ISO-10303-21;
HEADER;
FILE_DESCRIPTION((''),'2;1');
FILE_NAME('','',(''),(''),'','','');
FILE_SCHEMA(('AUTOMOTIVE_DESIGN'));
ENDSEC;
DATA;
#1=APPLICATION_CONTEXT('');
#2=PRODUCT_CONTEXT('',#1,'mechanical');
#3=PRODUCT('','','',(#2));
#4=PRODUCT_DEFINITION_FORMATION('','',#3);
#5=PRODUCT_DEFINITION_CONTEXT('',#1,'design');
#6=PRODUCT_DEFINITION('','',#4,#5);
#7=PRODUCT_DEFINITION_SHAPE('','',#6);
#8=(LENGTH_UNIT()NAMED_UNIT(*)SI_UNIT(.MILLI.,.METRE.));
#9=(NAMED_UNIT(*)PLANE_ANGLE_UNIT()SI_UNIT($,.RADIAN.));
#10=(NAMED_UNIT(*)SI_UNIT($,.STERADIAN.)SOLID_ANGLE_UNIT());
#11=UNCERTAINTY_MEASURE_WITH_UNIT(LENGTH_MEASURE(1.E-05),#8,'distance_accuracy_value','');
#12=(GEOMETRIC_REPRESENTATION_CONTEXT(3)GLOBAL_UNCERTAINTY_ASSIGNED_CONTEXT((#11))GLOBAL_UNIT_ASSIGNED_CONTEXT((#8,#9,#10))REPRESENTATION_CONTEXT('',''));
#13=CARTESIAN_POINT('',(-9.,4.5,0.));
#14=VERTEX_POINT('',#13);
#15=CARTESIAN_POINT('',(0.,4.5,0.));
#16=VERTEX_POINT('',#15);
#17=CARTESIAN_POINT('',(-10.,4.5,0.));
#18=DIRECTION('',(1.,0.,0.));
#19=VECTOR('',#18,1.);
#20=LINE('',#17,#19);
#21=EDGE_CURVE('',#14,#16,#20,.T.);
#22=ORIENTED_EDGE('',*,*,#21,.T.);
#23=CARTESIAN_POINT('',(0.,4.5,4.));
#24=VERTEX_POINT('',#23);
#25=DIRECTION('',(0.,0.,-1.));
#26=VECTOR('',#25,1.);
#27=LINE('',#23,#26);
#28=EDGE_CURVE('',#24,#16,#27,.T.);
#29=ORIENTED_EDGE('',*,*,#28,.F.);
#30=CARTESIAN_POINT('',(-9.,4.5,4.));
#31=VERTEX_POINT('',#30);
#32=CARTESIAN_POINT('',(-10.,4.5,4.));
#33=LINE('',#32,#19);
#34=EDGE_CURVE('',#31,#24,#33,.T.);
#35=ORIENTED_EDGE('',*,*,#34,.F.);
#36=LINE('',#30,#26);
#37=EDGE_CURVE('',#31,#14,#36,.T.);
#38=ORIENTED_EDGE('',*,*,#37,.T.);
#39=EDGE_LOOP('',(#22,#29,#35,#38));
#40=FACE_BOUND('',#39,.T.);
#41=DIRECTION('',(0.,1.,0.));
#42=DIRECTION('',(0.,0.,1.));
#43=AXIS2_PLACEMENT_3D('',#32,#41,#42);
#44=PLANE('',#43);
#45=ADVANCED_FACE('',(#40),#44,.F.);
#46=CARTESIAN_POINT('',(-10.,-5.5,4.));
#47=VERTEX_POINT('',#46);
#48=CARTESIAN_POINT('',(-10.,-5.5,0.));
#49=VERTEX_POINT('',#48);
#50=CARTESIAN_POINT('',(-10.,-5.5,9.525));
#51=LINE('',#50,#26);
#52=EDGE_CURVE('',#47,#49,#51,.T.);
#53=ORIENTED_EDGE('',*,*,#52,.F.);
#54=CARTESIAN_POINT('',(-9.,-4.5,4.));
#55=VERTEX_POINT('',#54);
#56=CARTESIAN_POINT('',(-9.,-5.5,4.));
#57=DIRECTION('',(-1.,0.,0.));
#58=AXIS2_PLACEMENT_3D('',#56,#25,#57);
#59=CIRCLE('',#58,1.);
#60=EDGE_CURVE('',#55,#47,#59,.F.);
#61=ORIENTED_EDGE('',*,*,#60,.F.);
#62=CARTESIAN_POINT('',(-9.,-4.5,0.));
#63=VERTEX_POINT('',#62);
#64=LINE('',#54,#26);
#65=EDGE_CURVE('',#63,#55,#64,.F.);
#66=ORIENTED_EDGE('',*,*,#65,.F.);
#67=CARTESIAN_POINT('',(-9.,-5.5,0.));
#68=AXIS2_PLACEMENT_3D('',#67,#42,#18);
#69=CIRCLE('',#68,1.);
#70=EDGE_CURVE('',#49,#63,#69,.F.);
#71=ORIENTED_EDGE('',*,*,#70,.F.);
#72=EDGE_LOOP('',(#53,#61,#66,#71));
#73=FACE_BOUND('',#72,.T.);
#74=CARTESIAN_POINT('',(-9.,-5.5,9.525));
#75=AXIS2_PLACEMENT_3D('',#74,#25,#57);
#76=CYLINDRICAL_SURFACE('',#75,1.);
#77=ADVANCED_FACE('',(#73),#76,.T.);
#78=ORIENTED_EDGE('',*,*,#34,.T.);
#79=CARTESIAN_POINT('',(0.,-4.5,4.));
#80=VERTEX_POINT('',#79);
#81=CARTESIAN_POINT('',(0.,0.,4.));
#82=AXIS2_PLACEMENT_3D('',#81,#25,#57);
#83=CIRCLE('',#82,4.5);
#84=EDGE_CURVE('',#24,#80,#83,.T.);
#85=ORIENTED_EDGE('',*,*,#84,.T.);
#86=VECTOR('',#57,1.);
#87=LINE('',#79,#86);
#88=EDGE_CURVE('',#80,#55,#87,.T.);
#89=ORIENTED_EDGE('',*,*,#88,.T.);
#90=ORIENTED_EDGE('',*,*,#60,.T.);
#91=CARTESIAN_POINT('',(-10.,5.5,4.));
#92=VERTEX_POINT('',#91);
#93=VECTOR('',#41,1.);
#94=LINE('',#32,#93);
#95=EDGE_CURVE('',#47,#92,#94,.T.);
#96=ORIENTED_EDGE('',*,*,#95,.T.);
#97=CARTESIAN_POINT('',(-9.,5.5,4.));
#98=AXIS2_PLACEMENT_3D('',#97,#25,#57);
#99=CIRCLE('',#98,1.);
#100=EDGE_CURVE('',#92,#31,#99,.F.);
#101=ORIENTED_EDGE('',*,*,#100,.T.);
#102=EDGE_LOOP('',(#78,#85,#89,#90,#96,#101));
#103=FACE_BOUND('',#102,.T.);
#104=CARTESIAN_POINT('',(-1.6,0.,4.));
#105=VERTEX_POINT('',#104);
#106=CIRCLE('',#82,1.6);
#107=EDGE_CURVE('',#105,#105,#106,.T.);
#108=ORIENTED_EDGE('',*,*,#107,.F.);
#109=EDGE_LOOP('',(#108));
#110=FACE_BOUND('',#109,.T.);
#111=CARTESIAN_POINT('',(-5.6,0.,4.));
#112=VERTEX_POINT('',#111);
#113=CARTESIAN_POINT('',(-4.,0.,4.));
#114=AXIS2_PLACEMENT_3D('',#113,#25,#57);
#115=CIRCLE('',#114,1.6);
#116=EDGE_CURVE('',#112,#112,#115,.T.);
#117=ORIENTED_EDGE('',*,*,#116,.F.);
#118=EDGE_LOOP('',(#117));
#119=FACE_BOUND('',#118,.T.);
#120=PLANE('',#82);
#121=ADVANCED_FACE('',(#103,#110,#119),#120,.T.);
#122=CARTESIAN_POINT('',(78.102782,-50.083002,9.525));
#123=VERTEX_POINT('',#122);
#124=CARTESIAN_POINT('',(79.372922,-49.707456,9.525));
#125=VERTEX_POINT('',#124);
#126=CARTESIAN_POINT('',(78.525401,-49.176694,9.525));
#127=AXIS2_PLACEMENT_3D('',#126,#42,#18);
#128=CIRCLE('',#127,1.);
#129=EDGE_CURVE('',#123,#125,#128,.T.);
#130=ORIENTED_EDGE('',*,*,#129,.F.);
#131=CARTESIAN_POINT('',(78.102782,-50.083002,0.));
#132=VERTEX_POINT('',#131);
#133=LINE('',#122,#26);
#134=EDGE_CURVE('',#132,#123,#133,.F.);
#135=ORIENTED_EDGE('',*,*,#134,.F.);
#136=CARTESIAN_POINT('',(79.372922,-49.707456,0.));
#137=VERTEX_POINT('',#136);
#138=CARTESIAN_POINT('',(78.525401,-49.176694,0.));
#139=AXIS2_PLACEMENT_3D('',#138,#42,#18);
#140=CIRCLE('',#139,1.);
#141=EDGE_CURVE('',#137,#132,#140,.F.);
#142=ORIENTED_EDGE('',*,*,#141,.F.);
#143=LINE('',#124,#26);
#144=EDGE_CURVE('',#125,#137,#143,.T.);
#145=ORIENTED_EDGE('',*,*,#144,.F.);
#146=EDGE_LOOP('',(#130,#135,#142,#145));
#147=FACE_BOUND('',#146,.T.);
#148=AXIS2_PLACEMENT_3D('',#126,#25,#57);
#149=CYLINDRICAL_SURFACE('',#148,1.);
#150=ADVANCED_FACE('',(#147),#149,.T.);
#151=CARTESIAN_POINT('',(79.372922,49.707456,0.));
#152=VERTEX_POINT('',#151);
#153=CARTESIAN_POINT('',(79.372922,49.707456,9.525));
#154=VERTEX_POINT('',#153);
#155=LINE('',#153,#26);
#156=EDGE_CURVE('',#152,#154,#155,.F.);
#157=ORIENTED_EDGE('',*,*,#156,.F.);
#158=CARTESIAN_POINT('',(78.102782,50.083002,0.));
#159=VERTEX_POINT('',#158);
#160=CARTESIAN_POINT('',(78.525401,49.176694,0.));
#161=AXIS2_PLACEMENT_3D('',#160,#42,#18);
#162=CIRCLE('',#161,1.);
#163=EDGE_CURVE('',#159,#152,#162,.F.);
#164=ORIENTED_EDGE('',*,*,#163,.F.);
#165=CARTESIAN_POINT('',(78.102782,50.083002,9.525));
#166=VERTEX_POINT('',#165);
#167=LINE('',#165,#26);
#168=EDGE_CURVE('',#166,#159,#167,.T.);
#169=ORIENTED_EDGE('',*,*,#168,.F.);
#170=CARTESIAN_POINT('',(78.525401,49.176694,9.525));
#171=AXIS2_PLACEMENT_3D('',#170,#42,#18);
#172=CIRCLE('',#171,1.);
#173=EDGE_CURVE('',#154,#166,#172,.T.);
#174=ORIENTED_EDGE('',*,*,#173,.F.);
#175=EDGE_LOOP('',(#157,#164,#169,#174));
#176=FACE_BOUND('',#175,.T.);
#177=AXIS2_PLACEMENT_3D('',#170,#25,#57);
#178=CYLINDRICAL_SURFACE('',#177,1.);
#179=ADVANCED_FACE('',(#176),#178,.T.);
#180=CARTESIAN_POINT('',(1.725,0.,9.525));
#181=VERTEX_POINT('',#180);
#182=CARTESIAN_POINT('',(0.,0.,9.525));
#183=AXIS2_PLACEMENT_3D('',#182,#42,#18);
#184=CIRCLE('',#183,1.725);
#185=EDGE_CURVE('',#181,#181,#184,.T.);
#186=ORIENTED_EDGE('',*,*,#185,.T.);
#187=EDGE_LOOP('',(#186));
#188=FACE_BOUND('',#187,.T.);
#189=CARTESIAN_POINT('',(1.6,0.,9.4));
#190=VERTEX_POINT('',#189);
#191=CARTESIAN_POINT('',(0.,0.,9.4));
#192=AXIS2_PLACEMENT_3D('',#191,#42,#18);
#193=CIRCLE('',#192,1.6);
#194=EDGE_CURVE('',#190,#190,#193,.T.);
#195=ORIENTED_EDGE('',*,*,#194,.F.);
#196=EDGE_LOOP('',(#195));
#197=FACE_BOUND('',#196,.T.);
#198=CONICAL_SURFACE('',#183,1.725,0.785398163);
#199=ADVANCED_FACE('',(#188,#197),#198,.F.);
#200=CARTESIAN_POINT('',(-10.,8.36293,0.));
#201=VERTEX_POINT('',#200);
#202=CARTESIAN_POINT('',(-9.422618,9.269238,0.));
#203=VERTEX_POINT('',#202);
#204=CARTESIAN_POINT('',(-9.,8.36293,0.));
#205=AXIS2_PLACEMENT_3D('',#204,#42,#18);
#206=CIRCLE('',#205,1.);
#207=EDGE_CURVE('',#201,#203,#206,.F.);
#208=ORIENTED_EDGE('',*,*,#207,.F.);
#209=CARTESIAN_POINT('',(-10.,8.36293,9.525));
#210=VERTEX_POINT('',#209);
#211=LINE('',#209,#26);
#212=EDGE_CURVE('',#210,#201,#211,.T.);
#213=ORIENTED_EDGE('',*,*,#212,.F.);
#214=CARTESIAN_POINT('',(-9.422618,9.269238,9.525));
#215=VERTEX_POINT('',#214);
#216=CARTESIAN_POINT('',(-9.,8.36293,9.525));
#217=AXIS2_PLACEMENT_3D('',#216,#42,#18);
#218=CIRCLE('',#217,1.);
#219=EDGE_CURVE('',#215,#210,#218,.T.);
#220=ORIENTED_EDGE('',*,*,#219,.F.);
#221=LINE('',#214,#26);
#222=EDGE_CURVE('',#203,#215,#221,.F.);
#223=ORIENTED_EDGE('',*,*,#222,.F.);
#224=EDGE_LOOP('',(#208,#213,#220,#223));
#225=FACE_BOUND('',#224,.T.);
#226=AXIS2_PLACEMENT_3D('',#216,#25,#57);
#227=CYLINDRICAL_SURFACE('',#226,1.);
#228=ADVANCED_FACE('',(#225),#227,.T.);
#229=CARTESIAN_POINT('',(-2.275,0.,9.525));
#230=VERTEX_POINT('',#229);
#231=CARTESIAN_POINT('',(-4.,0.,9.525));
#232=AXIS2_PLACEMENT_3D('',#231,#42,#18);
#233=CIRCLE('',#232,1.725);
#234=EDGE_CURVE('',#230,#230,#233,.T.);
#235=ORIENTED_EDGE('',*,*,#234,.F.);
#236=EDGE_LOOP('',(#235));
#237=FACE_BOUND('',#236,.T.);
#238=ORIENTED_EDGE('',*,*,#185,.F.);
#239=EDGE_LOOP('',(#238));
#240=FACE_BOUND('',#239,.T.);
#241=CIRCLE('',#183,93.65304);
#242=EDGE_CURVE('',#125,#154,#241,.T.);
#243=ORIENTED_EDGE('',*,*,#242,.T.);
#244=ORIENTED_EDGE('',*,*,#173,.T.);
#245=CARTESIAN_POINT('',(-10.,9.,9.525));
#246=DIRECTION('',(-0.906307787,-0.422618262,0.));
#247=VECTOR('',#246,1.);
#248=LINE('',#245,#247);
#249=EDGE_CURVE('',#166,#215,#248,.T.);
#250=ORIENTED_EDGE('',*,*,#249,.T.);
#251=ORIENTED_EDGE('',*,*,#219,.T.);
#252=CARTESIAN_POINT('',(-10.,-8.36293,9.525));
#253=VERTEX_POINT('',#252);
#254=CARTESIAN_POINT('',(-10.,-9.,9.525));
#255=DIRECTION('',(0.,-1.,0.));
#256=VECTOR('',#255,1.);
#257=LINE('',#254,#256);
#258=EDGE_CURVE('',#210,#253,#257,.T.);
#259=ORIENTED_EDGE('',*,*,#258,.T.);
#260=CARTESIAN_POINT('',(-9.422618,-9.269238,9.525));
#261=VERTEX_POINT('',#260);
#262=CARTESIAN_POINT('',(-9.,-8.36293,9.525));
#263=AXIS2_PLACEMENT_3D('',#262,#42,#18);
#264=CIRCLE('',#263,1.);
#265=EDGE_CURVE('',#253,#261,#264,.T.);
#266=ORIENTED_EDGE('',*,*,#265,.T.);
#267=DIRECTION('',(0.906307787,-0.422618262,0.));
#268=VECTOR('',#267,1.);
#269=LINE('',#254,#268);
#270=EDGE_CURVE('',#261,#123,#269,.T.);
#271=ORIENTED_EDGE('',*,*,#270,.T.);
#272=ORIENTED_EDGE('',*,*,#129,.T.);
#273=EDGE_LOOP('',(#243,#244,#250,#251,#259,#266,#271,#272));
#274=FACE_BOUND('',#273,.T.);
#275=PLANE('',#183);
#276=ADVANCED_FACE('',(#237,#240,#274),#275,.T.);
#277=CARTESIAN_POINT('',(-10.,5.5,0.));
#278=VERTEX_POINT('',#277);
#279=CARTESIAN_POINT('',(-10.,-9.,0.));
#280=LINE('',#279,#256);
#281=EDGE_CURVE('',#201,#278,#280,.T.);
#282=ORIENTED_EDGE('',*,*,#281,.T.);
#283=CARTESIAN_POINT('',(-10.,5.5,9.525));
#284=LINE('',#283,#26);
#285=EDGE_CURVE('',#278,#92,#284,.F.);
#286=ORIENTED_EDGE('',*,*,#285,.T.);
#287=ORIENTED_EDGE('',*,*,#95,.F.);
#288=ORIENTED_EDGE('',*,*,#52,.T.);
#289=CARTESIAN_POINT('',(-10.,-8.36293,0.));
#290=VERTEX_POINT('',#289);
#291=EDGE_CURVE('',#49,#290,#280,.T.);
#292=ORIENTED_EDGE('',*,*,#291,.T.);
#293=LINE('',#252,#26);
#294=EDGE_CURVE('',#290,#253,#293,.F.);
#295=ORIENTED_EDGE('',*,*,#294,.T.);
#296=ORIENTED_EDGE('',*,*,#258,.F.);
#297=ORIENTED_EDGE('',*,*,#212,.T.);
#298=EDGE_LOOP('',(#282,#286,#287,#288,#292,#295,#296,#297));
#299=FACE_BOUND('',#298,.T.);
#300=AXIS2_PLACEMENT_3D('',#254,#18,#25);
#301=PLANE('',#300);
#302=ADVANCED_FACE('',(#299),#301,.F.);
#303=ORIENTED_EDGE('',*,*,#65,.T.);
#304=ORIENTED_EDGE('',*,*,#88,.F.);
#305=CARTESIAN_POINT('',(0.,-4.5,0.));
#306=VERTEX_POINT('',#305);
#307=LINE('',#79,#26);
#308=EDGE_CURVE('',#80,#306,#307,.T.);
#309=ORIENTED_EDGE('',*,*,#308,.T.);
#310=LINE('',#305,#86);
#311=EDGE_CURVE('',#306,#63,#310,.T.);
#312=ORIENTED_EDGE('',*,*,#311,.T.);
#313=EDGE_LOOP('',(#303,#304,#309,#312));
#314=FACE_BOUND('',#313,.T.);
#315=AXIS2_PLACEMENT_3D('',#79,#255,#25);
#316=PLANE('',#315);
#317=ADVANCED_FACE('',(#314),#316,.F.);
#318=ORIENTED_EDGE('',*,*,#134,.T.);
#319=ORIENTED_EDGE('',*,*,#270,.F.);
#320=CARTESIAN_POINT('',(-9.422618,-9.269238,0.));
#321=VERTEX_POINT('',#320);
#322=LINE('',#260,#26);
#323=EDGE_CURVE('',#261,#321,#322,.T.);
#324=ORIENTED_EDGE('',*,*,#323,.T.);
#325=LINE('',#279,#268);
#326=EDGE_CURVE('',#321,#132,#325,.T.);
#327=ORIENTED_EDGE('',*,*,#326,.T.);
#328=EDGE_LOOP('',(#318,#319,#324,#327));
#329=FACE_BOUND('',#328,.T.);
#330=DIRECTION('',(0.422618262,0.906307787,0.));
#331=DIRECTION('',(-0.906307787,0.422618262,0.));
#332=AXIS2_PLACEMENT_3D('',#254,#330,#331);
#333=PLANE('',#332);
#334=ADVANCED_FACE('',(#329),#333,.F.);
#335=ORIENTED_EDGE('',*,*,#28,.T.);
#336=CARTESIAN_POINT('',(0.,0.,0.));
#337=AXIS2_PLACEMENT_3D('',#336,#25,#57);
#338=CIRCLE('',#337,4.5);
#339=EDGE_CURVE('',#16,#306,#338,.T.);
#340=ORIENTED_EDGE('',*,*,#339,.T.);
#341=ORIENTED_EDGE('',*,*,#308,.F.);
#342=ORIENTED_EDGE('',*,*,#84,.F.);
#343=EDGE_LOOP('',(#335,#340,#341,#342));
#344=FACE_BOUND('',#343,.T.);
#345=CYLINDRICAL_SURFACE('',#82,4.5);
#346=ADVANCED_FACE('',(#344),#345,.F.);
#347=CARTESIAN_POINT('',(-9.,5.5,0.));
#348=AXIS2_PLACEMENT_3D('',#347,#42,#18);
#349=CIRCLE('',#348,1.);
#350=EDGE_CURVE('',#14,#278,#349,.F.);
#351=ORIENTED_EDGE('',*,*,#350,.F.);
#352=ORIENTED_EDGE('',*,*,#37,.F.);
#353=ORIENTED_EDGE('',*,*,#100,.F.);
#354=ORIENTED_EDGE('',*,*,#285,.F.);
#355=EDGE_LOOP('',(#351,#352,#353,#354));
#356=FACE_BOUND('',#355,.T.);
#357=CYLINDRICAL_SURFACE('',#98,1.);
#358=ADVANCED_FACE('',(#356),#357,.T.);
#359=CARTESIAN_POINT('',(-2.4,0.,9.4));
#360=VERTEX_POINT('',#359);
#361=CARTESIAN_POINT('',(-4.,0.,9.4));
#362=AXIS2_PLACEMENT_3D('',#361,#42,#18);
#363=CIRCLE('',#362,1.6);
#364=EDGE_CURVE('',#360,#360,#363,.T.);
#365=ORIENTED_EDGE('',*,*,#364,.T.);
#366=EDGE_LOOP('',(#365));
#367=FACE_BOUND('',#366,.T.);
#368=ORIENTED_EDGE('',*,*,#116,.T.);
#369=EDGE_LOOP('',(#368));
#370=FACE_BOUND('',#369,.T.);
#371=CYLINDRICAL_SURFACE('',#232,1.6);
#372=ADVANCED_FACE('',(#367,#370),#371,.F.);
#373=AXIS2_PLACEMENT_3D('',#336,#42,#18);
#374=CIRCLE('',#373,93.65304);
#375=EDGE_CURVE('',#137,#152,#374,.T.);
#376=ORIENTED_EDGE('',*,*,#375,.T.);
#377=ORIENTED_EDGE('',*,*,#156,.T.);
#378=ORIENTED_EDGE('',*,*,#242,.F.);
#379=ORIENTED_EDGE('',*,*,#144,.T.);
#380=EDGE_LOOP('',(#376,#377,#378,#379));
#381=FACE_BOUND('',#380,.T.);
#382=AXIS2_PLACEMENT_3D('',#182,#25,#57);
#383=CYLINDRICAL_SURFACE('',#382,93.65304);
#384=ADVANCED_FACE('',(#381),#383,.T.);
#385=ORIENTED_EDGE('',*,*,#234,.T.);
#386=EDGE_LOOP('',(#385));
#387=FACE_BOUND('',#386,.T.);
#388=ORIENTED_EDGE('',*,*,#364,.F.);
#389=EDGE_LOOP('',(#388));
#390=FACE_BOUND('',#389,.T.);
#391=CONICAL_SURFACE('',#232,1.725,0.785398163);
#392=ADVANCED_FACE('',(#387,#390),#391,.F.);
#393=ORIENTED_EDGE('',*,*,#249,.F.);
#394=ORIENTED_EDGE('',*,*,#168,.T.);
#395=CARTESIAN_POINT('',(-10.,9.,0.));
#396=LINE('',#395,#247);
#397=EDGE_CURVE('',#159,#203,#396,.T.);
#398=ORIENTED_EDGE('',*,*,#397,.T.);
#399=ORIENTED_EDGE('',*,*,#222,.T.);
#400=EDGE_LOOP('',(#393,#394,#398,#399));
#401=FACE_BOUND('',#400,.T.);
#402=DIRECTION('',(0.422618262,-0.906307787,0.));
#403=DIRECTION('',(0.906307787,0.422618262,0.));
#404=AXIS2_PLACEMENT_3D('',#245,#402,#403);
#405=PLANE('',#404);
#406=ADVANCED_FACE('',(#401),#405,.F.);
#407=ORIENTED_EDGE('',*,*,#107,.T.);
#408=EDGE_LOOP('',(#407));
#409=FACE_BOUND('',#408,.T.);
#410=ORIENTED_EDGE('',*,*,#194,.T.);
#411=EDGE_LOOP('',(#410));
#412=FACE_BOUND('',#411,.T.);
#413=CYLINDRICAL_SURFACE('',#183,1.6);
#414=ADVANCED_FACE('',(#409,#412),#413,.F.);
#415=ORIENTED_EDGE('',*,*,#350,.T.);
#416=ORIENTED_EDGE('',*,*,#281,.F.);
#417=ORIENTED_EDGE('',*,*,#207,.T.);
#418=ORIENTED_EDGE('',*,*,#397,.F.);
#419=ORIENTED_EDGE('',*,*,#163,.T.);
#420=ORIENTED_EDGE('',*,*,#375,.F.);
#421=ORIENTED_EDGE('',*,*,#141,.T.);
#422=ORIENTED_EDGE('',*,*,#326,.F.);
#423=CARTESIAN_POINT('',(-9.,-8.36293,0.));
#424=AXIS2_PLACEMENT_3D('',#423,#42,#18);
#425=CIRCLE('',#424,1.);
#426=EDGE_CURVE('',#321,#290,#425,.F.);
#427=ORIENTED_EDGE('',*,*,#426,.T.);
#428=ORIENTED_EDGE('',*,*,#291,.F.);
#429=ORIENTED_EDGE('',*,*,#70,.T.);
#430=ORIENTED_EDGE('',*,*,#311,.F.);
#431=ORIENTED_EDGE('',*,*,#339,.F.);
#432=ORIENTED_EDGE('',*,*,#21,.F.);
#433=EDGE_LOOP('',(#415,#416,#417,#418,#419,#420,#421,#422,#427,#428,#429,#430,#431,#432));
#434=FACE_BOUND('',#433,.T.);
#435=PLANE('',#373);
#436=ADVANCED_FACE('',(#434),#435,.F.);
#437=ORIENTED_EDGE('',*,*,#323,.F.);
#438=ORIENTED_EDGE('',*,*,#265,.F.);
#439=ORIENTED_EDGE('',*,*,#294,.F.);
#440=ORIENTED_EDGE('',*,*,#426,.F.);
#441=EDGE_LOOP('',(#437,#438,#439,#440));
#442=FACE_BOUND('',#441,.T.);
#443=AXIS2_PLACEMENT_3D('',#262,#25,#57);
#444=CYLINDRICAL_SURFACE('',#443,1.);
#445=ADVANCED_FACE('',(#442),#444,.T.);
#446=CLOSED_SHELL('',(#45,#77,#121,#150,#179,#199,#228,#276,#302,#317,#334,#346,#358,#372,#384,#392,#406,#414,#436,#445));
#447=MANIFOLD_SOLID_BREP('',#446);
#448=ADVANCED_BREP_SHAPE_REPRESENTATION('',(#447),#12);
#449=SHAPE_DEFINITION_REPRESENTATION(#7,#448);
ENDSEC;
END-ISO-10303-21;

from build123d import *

# Parameters (mm, degrees)
BOSS_EXTRUDE1_DEPTH            = 9.525
CUT_EXTRUDE2_DEPTH             = 4
M3_CLEARANCE_HOLE1_D           = 3.2
M3_CLEARANCE_HOLE1_CSINK_D     = 3.45
M3_CLEARANCE_HOLE1_CSINK_ANGLE = 90
FILLET1_R                      = 1


with BuildPart() as part:
    # Sketch2 → Boss-Extrude1 (new body)
    with BuildSketch(Plane(origin=(0, 0, 0), x_dir=(0, 1, 0), z_dir=(0, 0, 1))):
        with BuildLine():
            Line((-9, 10), (9, 10))
            Line((9, 10), (50.45475081, -78.9))
            ThreePointArc((50.45475081, -78.9), (0, -93.653039883), (-50.45475081, -78.9))
            Line((-50.45475081, -78.9), (-9, 10))
        make_face()
    extrude(amount=BOSS_EXTRUDE1_DEPTH)

    # Sketch3 → Cut-Extrude2 (cut)
    with BuildSketch(Plane(origin=(0, 0, 0), x_dir=(1, 0, 0), z_dir=(0, 0, -1))):
        with BuildLine():
            Line((-10, -4.5), (-10, 4.5))
            Line((-10, 4.5), (0, 4.5))
            ThreePointArc((0, 4.5), (4.5, 0), (0, -4.5))
            Line((0, -4.5), (-10, -4.5))
        make_face()
    extrude(amount=-CUT_EXTRUDE2_DEPTH, mode=Mode.SUBTRACT)

    # M3 Clearance Hole1 (through all)
    with Locations(Plane(origin=(0, 0, 9.525), x_dir=(0, -1, 0), z_dir=(0, 0, 1))):
        with Locations((0, 0), (0, -4)):
            CounterSinkHole(M3_CLEARANCE_HOLE1_D / 2, M3_CLEARANCE_HOLE1_CSINK_D / 2, counter_sink_angle=M3_CLEARANCE_HOLE1_CSINK_ANGLE)

    # Fillet1
    fillet1_edges = [part.edges().sort_by_distance(p)[0] for p in [
        (-10, 4.5, 2),
        (-10, -4.5, 2),
        (-10, -9, 4.7625),
        (-10, 9, 4.7625),
        (78.9, 50.45475081, 4.7625),
        (78.9, -50.45475081, 4.7625),
    ]]
    fillet(fillet1_edges, radius=FILLET1_R)


solid = part.part
